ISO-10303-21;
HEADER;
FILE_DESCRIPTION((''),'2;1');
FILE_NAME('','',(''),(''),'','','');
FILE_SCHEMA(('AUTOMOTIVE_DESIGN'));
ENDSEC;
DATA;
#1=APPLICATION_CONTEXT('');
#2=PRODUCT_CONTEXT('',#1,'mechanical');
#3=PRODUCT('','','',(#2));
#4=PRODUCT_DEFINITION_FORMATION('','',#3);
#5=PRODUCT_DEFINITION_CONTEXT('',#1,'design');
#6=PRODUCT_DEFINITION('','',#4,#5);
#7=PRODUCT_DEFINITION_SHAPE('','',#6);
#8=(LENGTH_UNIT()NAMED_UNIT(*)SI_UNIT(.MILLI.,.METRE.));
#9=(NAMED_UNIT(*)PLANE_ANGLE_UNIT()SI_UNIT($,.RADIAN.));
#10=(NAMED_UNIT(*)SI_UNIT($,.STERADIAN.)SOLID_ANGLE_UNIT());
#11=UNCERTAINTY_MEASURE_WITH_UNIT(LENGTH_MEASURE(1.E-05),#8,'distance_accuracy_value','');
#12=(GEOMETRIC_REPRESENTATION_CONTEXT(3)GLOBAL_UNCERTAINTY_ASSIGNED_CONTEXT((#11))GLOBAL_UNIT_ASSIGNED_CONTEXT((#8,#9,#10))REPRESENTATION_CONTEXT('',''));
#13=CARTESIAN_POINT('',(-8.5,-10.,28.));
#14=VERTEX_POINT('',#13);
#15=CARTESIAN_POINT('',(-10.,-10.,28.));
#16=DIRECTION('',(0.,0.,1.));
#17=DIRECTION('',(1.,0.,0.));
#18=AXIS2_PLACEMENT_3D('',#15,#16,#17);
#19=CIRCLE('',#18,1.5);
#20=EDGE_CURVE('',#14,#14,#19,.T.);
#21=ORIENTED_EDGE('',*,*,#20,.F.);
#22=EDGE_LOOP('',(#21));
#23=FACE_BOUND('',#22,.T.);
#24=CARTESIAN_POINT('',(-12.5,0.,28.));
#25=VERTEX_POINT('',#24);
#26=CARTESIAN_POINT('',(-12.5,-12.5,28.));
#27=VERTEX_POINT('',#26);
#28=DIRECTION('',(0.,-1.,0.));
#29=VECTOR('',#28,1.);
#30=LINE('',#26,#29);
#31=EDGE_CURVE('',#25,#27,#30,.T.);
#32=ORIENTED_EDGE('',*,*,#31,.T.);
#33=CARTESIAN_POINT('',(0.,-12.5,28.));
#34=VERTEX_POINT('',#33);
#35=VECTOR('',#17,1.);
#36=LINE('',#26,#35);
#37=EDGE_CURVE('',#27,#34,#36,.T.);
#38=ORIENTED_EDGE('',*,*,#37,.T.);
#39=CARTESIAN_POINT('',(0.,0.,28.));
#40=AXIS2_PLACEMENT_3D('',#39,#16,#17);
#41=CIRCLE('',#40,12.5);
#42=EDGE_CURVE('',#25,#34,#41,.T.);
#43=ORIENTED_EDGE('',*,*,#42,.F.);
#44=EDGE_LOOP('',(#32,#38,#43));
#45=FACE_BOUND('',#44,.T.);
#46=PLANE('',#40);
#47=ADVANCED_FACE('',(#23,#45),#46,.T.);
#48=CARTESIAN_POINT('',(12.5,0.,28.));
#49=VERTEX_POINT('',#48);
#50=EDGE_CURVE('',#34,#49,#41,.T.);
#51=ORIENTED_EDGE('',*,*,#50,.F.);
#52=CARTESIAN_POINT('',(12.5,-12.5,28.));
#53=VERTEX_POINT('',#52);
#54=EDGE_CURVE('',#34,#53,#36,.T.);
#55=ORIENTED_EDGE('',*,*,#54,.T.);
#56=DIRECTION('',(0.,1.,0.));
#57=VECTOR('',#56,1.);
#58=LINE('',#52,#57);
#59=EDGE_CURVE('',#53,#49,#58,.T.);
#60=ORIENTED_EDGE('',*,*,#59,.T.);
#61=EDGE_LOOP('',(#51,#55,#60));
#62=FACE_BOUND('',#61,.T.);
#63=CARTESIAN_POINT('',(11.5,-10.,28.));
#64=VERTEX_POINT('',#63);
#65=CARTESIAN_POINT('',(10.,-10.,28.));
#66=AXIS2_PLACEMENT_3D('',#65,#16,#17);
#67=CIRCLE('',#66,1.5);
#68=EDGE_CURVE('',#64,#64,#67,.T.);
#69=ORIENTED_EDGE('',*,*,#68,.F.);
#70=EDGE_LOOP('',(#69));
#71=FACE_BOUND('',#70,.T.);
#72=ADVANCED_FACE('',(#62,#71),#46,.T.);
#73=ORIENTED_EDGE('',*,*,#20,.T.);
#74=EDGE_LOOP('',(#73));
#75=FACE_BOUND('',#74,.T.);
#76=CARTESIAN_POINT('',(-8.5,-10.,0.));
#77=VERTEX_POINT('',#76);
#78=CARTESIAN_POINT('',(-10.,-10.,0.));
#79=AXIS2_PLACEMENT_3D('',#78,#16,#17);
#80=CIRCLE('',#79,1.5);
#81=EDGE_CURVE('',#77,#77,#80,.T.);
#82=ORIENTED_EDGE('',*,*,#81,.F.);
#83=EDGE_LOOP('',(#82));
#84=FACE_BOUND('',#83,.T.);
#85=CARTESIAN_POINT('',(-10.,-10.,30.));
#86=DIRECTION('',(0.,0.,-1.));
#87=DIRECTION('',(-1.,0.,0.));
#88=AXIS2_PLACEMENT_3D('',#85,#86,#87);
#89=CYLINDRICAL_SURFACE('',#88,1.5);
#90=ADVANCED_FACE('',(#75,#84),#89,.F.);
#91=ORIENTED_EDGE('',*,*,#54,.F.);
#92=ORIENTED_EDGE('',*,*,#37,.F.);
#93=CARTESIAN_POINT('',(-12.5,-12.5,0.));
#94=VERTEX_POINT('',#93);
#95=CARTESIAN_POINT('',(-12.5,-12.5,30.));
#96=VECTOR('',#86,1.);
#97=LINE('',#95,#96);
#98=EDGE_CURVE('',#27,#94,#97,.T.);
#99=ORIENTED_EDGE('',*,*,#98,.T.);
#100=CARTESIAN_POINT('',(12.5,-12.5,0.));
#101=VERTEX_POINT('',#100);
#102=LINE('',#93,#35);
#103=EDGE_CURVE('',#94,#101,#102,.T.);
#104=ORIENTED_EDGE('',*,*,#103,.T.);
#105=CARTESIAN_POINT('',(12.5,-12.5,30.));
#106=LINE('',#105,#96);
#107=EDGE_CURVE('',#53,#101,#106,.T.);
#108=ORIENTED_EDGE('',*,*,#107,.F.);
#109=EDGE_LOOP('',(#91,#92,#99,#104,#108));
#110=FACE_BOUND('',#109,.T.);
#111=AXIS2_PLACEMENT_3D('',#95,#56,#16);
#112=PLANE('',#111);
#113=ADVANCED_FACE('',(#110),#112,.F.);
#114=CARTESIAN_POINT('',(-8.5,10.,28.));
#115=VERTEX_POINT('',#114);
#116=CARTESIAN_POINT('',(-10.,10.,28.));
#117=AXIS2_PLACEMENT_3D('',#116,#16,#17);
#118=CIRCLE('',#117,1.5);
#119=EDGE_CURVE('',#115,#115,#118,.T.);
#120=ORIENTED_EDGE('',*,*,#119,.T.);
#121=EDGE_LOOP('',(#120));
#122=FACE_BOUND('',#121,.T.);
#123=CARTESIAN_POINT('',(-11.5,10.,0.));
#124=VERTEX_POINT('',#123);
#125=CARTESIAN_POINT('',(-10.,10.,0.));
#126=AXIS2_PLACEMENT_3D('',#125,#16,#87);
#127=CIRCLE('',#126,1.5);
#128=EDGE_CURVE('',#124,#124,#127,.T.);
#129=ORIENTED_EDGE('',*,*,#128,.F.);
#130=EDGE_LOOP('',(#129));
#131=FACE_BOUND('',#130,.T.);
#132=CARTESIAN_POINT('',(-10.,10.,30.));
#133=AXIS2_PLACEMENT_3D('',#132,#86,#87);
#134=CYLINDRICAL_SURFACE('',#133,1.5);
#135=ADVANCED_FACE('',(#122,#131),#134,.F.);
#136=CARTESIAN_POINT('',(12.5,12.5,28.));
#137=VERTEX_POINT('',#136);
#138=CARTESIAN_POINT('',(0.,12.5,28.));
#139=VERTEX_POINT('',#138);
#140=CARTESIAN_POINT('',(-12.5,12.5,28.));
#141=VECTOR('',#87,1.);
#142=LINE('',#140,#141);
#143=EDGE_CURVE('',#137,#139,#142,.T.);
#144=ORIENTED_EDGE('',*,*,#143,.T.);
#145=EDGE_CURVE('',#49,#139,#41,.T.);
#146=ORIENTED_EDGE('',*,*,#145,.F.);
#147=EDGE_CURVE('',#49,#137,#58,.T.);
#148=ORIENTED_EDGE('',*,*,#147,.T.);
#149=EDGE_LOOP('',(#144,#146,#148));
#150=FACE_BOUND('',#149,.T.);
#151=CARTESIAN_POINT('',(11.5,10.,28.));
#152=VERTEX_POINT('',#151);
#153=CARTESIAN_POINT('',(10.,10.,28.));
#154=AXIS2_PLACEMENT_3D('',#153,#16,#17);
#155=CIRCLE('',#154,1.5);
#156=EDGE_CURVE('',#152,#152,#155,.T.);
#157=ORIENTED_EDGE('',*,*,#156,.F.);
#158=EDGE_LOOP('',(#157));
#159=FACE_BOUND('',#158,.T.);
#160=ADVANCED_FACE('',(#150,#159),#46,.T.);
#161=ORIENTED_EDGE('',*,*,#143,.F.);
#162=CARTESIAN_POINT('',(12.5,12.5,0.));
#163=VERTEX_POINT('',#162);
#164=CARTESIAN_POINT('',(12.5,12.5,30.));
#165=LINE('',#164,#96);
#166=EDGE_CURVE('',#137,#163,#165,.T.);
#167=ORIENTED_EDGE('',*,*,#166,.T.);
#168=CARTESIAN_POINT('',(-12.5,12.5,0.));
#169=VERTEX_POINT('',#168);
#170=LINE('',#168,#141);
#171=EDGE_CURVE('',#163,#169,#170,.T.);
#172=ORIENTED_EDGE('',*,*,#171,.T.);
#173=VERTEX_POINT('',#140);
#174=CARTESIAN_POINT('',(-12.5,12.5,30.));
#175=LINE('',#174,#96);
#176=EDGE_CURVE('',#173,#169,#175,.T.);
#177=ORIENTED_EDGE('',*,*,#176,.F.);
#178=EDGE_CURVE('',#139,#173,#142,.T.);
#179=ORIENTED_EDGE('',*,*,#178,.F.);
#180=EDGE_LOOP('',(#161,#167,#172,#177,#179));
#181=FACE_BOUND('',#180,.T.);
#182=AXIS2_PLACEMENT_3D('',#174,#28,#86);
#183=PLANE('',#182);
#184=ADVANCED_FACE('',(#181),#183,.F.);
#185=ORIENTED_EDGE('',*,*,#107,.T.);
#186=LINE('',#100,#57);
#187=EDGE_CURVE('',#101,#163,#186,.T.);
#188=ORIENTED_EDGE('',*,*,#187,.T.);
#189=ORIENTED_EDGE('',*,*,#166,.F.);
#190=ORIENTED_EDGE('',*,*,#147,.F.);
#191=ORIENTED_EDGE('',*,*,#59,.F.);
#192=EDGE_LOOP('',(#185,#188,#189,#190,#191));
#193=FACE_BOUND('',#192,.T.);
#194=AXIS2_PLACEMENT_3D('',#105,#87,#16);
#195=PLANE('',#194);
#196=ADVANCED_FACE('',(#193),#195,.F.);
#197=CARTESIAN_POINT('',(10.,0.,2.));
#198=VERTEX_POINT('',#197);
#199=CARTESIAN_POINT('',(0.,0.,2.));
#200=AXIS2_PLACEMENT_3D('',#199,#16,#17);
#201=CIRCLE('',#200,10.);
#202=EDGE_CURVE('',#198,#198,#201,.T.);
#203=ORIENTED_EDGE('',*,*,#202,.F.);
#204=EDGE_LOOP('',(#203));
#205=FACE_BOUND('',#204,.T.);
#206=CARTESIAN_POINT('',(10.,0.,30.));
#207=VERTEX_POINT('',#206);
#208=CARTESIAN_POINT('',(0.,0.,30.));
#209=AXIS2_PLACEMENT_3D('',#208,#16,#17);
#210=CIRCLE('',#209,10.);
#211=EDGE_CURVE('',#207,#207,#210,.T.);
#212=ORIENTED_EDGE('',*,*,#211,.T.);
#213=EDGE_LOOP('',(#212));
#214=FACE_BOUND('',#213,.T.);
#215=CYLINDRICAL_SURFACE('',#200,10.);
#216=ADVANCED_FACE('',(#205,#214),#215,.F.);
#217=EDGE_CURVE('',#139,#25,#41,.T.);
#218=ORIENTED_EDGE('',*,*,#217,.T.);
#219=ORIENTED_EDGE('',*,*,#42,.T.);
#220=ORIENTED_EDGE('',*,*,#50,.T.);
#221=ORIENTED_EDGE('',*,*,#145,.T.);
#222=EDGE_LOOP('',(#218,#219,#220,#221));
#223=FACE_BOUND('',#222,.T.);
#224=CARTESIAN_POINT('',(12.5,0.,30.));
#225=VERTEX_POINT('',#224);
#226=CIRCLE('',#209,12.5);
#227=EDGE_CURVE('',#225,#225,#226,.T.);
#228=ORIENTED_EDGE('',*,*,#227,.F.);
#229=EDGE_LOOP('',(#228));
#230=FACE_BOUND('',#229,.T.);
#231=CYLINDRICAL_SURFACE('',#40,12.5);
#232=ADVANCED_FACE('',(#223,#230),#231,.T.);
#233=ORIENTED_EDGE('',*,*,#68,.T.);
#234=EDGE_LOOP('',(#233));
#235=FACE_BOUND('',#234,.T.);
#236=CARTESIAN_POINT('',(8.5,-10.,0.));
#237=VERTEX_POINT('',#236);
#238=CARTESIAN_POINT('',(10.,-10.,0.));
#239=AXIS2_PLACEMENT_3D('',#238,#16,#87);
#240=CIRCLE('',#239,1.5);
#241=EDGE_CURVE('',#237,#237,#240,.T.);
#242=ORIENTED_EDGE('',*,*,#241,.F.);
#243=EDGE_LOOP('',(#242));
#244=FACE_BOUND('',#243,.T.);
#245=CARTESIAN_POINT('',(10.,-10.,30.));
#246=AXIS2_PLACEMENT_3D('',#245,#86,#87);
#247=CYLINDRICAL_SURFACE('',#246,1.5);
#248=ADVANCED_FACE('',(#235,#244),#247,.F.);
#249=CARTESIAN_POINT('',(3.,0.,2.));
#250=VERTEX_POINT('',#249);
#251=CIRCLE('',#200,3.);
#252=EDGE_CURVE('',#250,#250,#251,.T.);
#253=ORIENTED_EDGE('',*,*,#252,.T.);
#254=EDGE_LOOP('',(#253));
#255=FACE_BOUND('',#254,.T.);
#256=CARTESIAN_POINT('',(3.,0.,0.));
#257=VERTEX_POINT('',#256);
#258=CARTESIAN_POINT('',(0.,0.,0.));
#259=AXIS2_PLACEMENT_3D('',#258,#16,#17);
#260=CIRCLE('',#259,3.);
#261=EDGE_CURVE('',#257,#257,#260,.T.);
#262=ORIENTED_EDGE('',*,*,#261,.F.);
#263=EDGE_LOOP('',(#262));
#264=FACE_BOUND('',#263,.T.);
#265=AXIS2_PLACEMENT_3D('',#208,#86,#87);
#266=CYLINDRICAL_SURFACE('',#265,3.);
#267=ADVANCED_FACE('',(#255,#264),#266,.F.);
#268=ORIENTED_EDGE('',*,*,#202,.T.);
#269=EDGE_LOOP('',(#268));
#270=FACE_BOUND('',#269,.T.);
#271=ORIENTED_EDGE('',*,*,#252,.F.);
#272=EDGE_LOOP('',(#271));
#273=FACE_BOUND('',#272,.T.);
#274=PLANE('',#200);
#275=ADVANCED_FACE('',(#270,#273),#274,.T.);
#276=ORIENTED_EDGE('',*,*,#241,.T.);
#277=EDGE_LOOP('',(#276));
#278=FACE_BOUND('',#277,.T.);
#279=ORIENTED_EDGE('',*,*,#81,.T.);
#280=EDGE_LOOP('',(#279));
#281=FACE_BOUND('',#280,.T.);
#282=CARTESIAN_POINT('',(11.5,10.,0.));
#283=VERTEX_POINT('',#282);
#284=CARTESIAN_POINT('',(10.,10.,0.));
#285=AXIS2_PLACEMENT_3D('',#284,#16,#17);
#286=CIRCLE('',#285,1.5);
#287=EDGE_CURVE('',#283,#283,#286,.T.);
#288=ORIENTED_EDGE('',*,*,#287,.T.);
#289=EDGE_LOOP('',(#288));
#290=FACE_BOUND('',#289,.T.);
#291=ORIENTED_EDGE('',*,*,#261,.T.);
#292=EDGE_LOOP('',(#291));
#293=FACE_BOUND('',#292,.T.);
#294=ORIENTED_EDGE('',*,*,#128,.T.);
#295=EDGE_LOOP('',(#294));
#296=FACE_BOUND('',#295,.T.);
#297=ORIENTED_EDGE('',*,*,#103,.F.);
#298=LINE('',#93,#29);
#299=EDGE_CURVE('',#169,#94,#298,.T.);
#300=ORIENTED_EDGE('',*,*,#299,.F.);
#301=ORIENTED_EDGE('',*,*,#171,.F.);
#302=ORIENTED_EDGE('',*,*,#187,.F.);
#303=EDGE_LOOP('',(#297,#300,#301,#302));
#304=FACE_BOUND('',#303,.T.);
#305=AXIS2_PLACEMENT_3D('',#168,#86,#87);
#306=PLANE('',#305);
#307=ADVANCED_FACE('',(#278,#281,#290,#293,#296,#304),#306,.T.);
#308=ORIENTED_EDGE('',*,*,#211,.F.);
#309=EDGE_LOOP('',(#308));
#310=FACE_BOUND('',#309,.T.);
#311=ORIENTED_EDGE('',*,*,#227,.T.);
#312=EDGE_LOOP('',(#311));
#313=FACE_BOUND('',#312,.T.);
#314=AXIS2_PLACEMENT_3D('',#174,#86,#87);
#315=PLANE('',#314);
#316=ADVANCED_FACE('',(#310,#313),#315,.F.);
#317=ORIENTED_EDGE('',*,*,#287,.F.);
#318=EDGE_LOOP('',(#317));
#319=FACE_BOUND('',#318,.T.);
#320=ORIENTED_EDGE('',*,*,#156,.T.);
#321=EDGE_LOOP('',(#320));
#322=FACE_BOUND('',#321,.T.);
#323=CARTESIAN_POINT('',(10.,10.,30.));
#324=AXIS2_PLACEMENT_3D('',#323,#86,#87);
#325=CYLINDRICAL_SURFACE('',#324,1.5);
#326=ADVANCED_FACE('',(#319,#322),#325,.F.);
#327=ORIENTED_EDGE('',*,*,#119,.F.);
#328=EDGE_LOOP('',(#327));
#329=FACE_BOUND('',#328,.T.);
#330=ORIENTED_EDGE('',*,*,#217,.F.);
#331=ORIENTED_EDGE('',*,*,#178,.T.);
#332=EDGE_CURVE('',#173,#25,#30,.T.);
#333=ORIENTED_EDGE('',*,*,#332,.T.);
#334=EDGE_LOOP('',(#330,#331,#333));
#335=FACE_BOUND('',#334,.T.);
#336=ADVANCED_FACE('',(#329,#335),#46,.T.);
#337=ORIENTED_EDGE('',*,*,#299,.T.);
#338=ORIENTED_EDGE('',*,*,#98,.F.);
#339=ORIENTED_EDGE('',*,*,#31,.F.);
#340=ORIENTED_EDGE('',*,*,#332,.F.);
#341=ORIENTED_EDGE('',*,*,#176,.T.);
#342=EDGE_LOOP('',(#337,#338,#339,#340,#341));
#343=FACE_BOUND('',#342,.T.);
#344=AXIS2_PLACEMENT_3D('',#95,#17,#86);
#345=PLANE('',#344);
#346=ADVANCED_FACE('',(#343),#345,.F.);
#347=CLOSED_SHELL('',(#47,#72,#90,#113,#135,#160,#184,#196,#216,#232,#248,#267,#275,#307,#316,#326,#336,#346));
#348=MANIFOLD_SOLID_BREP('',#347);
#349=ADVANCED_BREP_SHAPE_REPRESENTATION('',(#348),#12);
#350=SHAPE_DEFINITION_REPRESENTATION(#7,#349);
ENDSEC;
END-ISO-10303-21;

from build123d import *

# Parameters (mm, degrees)
ESQUISSE1_W      = 25
ESQUISSE1_H      = 25
ESQUISSE1_R      = 1.5
ESQUISSE1_R_2    = 3
EXTRUSION3_DEPTH = 30
ESQUISSE8_R      = 10
EXTRUSION4_DEPTH = 28
ESQUISSE10_R     = 18.049415766
ESQUISSE10_R_2   = 12.5
EXTRUSION6_DEPTH = 2


with BuildPart() as part:
    # Esquisse1 → Extrusion3 (new body)
    with BuildSketch(Plane.XY):
        Rectangle(ESQUISSE1_W, ESQUISSE1_H)
        with Locations((10, 10)):
            Circle(ESQUISSE1_R, mode=Mode.SUBTRACT)
        Circle(ESQUISSE1_R_2, mode=Mode.SUBTRACT)
        with Locations((-10, 10)):
            Circle(ESQUISSE1_R, mode=Mode.SUBTRACT)
        with Locations((10, -10)):
            Circle(ESQUISSE1_R, mode=Mode.SUBTRACT)
        with Locations((-10, -10)):
            Circle(ESQUISSE1_R, mode=Mode.SUBTRACT)
    extrude(amount=EXTRUSION3_DEPTH)

    # Esquisse8 → Extrusion4 (cut)
    with BuildSketch(Plane.XY.offset(30)):
        Circle(ESQUISSE8_R)
    extrude(amount=-EXTRUSION4_DEPTH, mode=Mode.SUBTRACT)

    # Esquisse10 → Extrusion6 (cut)
    with BuildSketch(Plane.XY.offset(30)):
        Circle(ESQUISSE10_R)
        Circle(ESQUISSE10_R_2, mode=Mode.SUBTRACT)
    extrude(amount=-EXTRUSION6_DEPTH, mode=Mode.SUBTRACT)


solid = part.part
